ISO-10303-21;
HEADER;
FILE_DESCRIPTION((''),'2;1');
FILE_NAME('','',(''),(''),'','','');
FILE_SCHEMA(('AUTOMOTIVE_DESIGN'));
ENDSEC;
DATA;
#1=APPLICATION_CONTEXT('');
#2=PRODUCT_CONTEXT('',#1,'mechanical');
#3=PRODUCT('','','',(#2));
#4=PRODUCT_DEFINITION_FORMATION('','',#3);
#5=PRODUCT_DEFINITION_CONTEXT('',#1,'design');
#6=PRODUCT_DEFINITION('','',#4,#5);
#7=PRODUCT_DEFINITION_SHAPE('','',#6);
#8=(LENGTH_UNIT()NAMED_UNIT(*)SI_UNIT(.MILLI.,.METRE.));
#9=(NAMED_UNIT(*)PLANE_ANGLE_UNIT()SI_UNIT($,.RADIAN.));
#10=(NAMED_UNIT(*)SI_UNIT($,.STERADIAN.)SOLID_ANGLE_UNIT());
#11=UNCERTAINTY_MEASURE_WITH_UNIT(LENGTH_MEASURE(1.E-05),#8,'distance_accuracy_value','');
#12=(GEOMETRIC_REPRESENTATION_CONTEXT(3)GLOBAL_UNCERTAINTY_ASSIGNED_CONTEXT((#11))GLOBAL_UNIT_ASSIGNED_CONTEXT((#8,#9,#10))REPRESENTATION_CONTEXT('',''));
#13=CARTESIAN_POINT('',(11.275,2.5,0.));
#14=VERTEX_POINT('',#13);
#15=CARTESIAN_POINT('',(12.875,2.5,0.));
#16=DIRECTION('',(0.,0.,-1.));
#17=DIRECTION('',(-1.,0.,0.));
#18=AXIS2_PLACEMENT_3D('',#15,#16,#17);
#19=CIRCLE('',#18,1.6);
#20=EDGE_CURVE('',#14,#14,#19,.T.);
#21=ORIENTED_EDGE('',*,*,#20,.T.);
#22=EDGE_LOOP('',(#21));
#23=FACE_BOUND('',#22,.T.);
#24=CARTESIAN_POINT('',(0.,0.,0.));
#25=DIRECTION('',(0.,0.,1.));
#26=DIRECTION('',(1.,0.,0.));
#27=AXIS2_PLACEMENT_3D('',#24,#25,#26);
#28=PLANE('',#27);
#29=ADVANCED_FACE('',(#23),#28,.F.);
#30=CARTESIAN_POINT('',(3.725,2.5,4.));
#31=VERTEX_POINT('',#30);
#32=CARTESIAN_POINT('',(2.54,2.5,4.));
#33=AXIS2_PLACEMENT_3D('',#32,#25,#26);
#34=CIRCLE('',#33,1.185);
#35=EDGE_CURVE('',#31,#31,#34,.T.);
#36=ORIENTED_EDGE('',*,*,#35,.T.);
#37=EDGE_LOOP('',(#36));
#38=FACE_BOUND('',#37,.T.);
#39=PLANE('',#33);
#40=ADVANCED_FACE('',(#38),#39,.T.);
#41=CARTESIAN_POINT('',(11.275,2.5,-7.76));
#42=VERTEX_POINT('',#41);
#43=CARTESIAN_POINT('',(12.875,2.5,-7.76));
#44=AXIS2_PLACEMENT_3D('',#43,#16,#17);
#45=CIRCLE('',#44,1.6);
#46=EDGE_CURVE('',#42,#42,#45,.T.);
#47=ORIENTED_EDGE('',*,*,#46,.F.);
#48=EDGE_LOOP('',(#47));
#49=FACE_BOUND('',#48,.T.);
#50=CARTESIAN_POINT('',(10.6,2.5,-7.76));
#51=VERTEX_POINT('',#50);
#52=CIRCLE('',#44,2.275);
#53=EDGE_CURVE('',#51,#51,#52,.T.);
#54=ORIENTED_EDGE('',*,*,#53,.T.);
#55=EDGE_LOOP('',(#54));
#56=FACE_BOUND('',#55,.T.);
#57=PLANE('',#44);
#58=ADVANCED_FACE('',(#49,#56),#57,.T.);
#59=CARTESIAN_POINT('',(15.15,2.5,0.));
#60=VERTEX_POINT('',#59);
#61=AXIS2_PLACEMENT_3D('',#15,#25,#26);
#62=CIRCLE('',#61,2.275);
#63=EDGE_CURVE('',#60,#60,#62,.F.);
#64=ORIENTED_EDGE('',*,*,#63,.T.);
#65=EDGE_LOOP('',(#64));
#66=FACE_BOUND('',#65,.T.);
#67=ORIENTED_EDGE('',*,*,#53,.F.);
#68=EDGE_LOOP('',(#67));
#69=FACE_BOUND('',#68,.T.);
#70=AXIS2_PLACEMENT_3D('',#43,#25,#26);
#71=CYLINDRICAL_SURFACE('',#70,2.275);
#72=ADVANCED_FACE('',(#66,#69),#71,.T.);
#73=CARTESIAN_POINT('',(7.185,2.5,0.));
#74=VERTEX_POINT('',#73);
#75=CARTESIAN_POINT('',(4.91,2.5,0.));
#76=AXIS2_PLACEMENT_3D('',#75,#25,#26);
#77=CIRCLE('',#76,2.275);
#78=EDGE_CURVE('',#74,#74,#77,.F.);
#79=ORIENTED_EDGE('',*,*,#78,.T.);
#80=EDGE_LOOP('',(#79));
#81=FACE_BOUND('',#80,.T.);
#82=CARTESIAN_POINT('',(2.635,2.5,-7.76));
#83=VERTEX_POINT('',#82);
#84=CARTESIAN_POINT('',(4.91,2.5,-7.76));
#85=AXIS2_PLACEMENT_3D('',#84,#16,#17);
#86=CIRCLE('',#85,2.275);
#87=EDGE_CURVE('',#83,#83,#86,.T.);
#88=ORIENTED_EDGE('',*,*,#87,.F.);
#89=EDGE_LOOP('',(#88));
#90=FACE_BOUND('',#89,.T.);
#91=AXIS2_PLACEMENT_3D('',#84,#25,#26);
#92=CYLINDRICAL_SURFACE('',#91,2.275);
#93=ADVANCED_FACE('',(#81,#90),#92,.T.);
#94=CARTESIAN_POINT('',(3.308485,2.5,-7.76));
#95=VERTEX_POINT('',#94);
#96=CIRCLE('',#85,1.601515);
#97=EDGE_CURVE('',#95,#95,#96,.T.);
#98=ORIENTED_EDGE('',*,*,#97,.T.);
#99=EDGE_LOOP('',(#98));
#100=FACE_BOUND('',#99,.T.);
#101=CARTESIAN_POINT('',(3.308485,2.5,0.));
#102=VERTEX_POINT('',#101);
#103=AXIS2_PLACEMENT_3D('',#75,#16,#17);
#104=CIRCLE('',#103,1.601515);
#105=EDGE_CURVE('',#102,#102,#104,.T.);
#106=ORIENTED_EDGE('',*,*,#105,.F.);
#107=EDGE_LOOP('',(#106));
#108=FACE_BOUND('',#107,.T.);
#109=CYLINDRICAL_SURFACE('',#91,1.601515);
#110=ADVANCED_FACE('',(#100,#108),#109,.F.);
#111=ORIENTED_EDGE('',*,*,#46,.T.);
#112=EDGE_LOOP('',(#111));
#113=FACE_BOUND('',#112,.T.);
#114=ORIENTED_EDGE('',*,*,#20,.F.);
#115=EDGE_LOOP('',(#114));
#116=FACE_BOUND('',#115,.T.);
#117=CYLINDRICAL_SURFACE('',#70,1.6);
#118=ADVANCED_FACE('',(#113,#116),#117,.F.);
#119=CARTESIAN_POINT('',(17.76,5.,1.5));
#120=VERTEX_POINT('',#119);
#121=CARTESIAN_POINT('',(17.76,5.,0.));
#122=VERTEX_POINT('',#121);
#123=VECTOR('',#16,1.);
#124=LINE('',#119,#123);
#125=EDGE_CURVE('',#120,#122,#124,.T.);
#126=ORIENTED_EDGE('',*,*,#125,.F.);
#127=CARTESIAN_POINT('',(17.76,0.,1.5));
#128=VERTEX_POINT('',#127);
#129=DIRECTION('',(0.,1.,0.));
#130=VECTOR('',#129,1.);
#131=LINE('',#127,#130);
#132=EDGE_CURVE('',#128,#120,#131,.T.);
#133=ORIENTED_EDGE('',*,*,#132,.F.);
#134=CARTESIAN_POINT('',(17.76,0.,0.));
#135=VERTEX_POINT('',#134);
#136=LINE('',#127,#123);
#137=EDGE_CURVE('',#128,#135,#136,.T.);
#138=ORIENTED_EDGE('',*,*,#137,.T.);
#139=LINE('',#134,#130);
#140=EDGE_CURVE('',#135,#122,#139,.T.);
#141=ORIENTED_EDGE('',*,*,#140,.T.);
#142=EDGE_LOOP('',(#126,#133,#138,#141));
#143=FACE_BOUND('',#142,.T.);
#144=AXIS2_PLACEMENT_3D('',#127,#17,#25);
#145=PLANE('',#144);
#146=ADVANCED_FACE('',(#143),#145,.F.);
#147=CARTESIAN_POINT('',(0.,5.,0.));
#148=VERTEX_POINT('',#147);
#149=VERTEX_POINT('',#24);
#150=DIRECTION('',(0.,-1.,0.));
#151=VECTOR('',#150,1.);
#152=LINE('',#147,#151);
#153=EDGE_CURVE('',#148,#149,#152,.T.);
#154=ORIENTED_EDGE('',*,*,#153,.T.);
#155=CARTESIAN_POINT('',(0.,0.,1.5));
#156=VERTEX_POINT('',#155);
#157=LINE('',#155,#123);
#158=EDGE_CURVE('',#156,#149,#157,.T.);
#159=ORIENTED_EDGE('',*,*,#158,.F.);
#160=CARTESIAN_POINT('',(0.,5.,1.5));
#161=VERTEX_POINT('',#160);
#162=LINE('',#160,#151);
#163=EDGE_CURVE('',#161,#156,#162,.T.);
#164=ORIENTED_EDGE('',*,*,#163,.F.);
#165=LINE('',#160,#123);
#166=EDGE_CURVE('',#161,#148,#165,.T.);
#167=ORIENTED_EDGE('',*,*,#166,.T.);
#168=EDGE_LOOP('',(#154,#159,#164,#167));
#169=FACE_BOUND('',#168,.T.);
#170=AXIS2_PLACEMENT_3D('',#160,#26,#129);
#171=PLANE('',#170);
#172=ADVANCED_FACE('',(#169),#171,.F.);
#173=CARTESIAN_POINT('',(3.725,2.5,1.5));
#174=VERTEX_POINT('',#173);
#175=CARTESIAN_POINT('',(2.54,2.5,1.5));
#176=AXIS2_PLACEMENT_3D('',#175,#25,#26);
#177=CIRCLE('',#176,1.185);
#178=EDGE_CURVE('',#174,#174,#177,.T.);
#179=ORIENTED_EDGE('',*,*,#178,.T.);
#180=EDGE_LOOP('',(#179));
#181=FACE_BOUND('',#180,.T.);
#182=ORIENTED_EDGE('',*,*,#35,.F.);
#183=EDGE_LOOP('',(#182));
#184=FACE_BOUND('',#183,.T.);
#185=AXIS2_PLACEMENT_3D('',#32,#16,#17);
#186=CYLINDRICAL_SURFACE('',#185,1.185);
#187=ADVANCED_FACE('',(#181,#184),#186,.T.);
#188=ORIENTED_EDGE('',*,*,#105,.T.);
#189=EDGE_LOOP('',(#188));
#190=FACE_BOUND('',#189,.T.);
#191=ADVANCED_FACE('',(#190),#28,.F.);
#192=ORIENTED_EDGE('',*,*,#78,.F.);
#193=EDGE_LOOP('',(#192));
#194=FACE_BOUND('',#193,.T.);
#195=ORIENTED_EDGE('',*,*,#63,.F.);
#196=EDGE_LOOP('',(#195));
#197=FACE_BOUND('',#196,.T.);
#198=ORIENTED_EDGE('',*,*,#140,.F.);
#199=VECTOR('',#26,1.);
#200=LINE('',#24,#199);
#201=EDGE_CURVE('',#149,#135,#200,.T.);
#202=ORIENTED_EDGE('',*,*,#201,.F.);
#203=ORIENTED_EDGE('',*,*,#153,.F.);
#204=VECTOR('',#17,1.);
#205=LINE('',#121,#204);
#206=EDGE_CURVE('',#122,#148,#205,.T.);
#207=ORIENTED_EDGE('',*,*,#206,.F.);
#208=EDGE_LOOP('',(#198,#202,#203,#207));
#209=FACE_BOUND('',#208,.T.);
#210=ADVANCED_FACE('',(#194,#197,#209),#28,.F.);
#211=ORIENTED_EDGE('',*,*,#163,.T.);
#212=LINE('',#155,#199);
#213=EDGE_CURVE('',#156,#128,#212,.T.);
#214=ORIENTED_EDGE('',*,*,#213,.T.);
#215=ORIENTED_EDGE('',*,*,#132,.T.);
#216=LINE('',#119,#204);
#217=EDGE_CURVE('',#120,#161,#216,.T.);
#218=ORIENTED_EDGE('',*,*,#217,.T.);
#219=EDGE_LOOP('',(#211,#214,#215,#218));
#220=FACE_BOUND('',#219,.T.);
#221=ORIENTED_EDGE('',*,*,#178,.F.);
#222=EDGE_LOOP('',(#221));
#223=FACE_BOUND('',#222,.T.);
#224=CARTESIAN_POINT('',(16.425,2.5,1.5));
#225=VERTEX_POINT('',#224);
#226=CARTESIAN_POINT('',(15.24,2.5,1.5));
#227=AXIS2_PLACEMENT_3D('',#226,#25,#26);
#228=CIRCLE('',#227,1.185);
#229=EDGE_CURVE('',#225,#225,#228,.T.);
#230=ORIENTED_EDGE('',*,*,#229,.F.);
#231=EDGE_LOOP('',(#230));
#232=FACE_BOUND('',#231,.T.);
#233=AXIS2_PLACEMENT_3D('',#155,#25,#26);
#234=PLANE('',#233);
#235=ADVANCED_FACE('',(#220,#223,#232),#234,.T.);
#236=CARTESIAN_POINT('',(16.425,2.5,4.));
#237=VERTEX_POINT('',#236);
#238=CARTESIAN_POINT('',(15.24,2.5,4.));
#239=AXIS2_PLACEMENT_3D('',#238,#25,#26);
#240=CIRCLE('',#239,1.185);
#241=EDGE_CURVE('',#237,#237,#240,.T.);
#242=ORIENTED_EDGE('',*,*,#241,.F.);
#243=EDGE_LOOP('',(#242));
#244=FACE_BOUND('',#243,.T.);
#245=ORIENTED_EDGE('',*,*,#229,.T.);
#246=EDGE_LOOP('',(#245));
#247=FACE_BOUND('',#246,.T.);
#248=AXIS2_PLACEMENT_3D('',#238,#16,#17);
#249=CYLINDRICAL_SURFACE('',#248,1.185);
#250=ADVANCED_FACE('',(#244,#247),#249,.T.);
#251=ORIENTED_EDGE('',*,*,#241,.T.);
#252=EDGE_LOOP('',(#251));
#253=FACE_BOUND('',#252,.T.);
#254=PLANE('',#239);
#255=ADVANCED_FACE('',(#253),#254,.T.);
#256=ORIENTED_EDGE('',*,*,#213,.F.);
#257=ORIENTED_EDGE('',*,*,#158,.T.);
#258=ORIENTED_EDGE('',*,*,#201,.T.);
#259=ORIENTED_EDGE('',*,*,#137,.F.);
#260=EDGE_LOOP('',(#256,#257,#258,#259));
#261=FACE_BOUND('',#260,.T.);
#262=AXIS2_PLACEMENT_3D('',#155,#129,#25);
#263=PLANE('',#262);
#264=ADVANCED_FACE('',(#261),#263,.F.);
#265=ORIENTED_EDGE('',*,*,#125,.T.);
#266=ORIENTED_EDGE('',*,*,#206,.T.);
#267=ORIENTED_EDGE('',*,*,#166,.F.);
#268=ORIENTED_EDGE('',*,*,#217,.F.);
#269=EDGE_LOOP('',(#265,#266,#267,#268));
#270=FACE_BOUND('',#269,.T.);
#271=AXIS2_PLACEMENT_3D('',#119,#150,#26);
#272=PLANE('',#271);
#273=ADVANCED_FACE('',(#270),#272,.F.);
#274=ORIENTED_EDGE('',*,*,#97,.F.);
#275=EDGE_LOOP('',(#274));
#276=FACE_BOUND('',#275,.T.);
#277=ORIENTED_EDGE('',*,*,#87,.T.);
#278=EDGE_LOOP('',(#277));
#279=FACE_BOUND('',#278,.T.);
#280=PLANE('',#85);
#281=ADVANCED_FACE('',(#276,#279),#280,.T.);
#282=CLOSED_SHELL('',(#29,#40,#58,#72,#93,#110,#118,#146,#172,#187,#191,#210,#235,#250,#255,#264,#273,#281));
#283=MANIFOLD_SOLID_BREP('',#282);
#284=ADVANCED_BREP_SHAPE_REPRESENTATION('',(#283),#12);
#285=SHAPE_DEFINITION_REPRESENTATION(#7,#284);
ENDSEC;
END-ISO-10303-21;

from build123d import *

# Parameters (mm, degrees)
SKETCH1_W           = 17.76
SKETCH1_H           = 5
BOSS_EXTRUDE1_DEPTH = 1.5
SKETCH2_R           = 1.185
BOSS_EXTRUDE2_DEPTH = 2.5
SKETCH3_R           = 2.275
SKETCH3_R_2         = 1.6
SKETCH3_R_3         = 1.601514513
BOSS_EXTRUDE3_DEPTH = 7.76


with BuildPart() as part:
    # Sketch1 → Boss-Extrude1 (new body)
    with BuildSketch(Plane.XY):
        with Locations((8.88, 2.5)):
            Rectangle(SKETCH1_W, SKETCH1_H)
    extrude(amount=BOSS_EXTRUDE1_DEPTH)

    # Sketch2 → Boss-Extrude2 (add)
    with BuildSketch(Plane.XY.offset(1.5)):
        with Locations((2.54, 2.5)):
            Circle(SKETCH2_R)
        with Locations((15.24, 2.5)):
            Circle(SKETCH2_R)
    extrude(amount=BOSS_EXTRUDE2_DEPTH)

    # Sketch3 → Boss-Extrude3 (add)
    # profile 1 of 2: a face of its own
    with BuildSketch(Plane(origin=(0, 0, 0), x_dir=(-1, 0, 0), z_dir=(0, 0, -1))):
        with Locations(Location((-12.875, 2.5, 0), (0, 0, 180))):
            Circle(SKETCH3_R)
        with Locations((-12.875, 2.5)):
            Circle(SKETCH3_R_2, mode=Mode.SUBTRACT)
    # profile 2 of 2: a face of its own
    with BuildSketch(Plane(origin=(0, 0, 0), x_dir=(-1, 0, 0), z_dir=(0, 0, -1))):
        with Locations(Location((-4.91, 2.5, 0), (0, 0, 180))):
            Circle(SKETCH3_R)
        with Locations((-4.91, 2.5)):
            Circle(SKETCH3_R_3, mode=Mode.SUBTRACT)
    extrude(amount=BOSS_EXTRUDE3_DEPTH)


solid = part.part
